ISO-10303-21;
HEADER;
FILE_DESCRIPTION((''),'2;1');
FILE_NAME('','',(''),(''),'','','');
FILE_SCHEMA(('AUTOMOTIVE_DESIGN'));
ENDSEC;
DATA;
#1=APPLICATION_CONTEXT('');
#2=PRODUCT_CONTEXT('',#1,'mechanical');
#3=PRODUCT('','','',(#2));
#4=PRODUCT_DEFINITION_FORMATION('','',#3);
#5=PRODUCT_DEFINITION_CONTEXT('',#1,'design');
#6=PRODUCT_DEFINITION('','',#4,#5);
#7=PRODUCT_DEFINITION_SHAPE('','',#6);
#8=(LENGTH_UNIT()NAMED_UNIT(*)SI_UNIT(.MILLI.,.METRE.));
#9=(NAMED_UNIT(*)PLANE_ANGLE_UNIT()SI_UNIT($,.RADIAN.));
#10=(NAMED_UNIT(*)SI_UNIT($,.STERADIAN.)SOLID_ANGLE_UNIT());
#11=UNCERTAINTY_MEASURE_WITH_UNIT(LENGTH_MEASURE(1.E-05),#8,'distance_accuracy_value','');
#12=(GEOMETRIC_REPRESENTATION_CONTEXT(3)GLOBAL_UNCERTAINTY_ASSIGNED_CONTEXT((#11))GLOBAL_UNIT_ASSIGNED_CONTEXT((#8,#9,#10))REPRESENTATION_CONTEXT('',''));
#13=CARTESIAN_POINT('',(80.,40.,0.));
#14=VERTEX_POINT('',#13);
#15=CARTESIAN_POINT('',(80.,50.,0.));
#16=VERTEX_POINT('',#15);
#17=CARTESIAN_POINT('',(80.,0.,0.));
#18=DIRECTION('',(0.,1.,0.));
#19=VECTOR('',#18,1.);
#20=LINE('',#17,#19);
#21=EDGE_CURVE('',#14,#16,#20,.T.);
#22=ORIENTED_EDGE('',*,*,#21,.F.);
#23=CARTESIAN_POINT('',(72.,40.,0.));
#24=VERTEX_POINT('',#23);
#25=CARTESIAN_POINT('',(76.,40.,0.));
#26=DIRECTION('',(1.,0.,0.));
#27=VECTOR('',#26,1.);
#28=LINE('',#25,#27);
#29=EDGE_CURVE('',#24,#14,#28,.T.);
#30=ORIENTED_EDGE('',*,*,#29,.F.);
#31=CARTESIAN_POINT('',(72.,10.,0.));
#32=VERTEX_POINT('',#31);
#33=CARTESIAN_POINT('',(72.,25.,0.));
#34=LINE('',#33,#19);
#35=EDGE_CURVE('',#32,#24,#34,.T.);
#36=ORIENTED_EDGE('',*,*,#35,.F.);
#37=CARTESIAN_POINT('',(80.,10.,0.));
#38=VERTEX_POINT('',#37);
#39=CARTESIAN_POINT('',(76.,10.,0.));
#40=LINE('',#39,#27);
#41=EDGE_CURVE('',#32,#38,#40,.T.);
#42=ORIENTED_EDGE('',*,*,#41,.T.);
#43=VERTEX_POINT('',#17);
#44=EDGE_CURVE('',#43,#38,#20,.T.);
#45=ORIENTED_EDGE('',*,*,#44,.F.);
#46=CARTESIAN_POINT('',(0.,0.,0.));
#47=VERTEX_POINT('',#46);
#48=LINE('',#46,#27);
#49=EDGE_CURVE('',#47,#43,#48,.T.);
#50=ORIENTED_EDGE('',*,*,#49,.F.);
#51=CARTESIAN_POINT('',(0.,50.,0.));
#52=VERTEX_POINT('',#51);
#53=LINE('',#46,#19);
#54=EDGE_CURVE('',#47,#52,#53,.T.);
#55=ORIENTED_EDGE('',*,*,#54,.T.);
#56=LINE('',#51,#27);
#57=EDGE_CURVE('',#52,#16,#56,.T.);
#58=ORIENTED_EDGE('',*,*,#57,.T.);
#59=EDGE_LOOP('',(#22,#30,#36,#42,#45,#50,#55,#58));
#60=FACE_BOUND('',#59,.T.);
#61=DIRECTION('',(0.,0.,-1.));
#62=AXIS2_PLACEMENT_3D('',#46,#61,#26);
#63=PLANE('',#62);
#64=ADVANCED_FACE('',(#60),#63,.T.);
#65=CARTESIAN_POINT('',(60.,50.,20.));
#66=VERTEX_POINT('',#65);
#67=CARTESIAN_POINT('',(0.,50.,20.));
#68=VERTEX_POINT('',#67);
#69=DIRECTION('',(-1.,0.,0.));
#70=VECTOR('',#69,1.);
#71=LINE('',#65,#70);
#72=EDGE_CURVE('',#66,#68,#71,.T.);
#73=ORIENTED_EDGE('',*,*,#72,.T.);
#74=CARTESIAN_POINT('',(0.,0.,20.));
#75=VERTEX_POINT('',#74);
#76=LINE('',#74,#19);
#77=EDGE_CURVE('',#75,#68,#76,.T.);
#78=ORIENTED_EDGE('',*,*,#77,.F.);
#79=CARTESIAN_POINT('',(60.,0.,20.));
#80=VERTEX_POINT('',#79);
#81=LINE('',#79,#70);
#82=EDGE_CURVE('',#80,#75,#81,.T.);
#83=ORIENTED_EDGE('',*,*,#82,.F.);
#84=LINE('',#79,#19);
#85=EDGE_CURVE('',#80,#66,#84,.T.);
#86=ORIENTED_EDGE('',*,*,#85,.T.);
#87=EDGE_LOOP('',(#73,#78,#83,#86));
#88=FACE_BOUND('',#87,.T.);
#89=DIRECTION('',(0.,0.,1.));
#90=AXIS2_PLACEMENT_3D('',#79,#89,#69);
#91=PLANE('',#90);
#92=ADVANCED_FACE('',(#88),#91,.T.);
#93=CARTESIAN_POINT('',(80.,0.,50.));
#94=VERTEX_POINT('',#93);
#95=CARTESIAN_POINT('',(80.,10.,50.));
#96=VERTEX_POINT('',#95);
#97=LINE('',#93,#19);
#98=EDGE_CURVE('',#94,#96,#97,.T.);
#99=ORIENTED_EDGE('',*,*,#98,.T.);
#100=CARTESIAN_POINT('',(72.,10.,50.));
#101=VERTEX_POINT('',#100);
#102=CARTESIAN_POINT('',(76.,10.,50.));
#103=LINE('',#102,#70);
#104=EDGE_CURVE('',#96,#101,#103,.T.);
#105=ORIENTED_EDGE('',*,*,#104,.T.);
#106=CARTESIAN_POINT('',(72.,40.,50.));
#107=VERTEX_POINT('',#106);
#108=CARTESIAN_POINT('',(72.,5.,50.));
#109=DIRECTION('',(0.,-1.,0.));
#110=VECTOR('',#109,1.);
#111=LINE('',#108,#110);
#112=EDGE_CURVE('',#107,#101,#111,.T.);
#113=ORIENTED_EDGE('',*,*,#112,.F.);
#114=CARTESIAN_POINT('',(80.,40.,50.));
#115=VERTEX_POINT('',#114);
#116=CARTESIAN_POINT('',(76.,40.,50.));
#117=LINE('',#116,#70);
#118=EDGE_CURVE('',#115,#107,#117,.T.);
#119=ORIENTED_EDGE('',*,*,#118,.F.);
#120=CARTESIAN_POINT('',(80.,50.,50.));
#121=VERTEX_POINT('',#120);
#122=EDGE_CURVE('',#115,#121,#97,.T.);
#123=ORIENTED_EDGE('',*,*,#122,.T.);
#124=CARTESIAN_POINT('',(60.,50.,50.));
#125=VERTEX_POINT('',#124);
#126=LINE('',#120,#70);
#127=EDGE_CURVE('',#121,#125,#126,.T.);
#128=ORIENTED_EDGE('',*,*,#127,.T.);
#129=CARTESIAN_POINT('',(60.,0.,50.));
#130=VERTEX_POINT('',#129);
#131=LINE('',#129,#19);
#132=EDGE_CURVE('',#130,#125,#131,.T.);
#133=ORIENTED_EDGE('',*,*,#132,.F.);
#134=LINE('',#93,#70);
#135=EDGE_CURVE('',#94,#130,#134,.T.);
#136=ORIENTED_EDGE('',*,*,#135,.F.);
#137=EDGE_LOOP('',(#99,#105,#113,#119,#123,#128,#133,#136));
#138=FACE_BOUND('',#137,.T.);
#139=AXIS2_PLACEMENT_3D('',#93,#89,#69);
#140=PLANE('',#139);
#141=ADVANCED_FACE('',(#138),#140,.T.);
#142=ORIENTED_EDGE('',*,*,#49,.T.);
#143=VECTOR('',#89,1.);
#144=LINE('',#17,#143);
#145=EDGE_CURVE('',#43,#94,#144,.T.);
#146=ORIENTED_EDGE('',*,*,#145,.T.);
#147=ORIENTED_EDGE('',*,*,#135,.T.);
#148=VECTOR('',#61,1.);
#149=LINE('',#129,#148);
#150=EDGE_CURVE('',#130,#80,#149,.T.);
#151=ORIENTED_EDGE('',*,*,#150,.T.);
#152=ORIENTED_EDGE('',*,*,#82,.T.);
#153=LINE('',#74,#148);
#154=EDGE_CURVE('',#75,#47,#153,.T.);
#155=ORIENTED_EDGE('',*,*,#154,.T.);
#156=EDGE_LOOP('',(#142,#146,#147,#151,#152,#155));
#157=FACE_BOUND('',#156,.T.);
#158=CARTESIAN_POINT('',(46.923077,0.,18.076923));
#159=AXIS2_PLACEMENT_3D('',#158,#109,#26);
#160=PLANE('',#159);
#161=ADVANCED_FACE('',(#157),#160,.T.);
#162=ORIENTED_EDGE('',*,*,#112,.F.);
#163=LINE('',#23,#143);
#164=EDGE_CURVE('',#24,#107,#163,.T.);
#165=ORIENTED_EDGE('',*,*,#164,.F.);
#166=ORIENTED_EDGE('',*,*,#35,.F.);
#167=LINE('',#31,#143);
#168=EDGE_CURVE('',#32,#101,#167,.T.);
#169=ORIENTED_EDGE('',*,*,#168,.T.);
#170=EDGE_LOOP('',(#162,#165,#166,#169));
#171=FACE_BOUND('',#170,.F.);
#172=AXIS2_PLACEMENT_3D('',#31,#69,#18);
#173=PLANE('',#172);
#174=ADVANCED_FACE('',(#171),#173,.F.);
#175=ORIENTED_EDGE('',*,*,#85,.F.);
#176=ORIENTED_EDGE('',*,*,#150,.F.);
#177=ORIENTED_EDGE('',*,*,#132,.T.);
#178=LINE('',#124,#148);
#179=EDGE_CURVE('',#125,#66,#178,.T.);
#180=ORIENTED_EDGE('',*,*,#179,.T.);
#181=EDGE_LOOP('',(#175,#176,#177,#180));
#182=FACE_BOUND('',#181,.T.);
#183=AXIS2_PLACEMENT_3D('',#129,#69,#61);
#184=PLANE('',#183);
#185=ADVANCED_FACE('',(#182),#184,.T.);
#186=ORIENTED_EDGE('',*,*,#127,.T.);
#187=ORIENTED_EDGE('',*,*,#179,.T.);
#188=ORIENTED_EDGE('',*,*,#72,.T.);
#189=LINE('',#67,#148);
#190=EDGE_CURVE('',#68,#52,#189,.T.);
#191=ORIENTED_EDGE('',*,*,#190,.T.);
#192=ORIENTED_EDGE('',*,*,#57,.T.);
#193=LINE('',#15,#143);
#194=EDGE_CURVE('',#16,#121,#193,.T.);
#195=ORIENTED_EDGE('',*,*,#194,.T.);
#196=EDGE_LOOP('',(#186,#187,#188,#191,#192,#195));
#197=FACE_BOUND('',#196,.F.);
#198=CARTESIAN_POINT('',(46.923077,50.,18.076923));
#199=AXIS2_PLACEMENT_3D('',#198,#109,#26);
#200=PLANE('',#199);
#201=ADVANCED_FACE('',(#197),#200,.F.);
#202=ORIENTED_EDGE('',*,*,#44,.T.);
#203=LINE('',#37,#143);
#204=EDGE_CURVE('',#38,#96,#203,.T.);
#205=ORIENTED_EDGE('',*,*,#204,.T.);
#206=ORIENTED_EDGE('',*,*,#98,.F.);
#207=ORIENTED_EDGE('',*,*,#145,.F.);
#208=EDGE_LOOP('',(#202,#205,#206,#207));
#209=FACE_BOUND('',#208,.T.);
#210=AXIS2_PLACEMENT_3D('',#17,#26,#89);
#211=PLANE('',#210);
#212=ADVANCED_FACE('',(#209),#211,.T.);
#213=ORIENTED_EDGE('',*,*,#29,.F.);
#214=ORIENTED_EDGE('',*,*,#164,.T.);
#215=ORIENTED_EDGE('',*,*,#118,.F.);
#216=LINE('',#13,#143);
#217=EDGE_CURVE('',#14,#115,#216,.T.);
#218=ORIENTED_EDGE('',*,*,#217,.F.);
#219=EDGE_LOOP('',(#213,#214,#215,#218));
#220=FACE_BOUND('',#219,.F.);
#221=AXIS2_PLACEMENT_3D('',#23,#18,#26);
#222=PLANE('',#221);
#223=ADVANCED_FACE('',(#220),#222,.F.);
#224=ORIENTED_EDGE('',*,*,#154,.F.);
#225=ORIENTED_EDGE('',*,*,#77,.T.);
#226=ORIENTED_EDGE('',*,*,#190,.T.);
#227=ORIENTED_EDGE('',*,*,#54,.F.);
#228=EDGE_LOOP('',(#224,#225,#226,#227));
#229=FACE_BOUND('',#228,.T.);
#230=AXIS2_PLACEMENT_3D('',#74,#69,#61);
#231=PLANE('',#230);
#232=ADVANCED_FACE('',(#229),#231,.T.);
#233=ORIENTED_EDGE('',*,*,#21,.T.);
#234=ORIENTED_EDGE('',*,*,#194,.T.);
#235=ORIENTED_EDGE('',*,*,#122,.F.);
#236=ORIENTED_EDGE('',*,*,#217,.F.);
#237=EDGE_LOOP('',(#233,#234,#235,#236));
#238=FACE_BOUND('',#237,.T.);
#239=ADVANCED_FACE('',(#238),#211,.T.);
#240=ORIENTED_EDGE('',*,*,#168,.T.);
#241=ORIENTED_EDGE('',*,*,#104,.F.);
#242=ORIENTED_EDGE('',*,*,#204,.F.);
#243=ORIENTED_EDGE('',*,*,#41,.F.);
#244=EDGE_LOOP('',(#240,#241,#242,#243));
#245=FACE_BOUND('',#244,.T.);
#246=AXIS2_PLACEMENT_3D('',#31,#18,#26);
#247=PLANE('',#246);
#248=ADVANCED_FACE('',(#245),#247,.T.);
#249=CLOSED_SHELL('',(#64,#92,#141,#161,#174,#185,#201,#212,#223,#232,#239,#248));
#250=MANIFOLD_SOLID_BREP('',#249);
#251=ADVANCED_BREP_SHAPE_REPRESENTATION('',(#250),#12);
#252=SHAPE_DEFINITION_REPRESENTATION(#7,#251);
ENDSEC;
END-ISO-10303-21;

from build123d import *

# Parameters (mm, degrees)
F1_DEPTH = 50
F2_W     = 8
F2_H     = 30
F3_DEPTH = 50.001


with BuildPart() as f1:
    # F0 (on Front) → F1 (new body)
    with BuildSketch(Plane.XZ):
        Polygon((0, 20), (0, 0), (80, 0), (80, 50), (60, 50), (60, 20), align=None)
    extrude(amount=-F1_DEPTH)

    # F2 (on Top) → F3 (cut, through all)
    with BuildSketch(Plane.XY):
        with Locations((76, 25)):
            Rectangle(F2_W, F2_H)
    extrude(amount=F3_DEPTH, mode=Mode.SUBTRACT)


solid = f1.part
